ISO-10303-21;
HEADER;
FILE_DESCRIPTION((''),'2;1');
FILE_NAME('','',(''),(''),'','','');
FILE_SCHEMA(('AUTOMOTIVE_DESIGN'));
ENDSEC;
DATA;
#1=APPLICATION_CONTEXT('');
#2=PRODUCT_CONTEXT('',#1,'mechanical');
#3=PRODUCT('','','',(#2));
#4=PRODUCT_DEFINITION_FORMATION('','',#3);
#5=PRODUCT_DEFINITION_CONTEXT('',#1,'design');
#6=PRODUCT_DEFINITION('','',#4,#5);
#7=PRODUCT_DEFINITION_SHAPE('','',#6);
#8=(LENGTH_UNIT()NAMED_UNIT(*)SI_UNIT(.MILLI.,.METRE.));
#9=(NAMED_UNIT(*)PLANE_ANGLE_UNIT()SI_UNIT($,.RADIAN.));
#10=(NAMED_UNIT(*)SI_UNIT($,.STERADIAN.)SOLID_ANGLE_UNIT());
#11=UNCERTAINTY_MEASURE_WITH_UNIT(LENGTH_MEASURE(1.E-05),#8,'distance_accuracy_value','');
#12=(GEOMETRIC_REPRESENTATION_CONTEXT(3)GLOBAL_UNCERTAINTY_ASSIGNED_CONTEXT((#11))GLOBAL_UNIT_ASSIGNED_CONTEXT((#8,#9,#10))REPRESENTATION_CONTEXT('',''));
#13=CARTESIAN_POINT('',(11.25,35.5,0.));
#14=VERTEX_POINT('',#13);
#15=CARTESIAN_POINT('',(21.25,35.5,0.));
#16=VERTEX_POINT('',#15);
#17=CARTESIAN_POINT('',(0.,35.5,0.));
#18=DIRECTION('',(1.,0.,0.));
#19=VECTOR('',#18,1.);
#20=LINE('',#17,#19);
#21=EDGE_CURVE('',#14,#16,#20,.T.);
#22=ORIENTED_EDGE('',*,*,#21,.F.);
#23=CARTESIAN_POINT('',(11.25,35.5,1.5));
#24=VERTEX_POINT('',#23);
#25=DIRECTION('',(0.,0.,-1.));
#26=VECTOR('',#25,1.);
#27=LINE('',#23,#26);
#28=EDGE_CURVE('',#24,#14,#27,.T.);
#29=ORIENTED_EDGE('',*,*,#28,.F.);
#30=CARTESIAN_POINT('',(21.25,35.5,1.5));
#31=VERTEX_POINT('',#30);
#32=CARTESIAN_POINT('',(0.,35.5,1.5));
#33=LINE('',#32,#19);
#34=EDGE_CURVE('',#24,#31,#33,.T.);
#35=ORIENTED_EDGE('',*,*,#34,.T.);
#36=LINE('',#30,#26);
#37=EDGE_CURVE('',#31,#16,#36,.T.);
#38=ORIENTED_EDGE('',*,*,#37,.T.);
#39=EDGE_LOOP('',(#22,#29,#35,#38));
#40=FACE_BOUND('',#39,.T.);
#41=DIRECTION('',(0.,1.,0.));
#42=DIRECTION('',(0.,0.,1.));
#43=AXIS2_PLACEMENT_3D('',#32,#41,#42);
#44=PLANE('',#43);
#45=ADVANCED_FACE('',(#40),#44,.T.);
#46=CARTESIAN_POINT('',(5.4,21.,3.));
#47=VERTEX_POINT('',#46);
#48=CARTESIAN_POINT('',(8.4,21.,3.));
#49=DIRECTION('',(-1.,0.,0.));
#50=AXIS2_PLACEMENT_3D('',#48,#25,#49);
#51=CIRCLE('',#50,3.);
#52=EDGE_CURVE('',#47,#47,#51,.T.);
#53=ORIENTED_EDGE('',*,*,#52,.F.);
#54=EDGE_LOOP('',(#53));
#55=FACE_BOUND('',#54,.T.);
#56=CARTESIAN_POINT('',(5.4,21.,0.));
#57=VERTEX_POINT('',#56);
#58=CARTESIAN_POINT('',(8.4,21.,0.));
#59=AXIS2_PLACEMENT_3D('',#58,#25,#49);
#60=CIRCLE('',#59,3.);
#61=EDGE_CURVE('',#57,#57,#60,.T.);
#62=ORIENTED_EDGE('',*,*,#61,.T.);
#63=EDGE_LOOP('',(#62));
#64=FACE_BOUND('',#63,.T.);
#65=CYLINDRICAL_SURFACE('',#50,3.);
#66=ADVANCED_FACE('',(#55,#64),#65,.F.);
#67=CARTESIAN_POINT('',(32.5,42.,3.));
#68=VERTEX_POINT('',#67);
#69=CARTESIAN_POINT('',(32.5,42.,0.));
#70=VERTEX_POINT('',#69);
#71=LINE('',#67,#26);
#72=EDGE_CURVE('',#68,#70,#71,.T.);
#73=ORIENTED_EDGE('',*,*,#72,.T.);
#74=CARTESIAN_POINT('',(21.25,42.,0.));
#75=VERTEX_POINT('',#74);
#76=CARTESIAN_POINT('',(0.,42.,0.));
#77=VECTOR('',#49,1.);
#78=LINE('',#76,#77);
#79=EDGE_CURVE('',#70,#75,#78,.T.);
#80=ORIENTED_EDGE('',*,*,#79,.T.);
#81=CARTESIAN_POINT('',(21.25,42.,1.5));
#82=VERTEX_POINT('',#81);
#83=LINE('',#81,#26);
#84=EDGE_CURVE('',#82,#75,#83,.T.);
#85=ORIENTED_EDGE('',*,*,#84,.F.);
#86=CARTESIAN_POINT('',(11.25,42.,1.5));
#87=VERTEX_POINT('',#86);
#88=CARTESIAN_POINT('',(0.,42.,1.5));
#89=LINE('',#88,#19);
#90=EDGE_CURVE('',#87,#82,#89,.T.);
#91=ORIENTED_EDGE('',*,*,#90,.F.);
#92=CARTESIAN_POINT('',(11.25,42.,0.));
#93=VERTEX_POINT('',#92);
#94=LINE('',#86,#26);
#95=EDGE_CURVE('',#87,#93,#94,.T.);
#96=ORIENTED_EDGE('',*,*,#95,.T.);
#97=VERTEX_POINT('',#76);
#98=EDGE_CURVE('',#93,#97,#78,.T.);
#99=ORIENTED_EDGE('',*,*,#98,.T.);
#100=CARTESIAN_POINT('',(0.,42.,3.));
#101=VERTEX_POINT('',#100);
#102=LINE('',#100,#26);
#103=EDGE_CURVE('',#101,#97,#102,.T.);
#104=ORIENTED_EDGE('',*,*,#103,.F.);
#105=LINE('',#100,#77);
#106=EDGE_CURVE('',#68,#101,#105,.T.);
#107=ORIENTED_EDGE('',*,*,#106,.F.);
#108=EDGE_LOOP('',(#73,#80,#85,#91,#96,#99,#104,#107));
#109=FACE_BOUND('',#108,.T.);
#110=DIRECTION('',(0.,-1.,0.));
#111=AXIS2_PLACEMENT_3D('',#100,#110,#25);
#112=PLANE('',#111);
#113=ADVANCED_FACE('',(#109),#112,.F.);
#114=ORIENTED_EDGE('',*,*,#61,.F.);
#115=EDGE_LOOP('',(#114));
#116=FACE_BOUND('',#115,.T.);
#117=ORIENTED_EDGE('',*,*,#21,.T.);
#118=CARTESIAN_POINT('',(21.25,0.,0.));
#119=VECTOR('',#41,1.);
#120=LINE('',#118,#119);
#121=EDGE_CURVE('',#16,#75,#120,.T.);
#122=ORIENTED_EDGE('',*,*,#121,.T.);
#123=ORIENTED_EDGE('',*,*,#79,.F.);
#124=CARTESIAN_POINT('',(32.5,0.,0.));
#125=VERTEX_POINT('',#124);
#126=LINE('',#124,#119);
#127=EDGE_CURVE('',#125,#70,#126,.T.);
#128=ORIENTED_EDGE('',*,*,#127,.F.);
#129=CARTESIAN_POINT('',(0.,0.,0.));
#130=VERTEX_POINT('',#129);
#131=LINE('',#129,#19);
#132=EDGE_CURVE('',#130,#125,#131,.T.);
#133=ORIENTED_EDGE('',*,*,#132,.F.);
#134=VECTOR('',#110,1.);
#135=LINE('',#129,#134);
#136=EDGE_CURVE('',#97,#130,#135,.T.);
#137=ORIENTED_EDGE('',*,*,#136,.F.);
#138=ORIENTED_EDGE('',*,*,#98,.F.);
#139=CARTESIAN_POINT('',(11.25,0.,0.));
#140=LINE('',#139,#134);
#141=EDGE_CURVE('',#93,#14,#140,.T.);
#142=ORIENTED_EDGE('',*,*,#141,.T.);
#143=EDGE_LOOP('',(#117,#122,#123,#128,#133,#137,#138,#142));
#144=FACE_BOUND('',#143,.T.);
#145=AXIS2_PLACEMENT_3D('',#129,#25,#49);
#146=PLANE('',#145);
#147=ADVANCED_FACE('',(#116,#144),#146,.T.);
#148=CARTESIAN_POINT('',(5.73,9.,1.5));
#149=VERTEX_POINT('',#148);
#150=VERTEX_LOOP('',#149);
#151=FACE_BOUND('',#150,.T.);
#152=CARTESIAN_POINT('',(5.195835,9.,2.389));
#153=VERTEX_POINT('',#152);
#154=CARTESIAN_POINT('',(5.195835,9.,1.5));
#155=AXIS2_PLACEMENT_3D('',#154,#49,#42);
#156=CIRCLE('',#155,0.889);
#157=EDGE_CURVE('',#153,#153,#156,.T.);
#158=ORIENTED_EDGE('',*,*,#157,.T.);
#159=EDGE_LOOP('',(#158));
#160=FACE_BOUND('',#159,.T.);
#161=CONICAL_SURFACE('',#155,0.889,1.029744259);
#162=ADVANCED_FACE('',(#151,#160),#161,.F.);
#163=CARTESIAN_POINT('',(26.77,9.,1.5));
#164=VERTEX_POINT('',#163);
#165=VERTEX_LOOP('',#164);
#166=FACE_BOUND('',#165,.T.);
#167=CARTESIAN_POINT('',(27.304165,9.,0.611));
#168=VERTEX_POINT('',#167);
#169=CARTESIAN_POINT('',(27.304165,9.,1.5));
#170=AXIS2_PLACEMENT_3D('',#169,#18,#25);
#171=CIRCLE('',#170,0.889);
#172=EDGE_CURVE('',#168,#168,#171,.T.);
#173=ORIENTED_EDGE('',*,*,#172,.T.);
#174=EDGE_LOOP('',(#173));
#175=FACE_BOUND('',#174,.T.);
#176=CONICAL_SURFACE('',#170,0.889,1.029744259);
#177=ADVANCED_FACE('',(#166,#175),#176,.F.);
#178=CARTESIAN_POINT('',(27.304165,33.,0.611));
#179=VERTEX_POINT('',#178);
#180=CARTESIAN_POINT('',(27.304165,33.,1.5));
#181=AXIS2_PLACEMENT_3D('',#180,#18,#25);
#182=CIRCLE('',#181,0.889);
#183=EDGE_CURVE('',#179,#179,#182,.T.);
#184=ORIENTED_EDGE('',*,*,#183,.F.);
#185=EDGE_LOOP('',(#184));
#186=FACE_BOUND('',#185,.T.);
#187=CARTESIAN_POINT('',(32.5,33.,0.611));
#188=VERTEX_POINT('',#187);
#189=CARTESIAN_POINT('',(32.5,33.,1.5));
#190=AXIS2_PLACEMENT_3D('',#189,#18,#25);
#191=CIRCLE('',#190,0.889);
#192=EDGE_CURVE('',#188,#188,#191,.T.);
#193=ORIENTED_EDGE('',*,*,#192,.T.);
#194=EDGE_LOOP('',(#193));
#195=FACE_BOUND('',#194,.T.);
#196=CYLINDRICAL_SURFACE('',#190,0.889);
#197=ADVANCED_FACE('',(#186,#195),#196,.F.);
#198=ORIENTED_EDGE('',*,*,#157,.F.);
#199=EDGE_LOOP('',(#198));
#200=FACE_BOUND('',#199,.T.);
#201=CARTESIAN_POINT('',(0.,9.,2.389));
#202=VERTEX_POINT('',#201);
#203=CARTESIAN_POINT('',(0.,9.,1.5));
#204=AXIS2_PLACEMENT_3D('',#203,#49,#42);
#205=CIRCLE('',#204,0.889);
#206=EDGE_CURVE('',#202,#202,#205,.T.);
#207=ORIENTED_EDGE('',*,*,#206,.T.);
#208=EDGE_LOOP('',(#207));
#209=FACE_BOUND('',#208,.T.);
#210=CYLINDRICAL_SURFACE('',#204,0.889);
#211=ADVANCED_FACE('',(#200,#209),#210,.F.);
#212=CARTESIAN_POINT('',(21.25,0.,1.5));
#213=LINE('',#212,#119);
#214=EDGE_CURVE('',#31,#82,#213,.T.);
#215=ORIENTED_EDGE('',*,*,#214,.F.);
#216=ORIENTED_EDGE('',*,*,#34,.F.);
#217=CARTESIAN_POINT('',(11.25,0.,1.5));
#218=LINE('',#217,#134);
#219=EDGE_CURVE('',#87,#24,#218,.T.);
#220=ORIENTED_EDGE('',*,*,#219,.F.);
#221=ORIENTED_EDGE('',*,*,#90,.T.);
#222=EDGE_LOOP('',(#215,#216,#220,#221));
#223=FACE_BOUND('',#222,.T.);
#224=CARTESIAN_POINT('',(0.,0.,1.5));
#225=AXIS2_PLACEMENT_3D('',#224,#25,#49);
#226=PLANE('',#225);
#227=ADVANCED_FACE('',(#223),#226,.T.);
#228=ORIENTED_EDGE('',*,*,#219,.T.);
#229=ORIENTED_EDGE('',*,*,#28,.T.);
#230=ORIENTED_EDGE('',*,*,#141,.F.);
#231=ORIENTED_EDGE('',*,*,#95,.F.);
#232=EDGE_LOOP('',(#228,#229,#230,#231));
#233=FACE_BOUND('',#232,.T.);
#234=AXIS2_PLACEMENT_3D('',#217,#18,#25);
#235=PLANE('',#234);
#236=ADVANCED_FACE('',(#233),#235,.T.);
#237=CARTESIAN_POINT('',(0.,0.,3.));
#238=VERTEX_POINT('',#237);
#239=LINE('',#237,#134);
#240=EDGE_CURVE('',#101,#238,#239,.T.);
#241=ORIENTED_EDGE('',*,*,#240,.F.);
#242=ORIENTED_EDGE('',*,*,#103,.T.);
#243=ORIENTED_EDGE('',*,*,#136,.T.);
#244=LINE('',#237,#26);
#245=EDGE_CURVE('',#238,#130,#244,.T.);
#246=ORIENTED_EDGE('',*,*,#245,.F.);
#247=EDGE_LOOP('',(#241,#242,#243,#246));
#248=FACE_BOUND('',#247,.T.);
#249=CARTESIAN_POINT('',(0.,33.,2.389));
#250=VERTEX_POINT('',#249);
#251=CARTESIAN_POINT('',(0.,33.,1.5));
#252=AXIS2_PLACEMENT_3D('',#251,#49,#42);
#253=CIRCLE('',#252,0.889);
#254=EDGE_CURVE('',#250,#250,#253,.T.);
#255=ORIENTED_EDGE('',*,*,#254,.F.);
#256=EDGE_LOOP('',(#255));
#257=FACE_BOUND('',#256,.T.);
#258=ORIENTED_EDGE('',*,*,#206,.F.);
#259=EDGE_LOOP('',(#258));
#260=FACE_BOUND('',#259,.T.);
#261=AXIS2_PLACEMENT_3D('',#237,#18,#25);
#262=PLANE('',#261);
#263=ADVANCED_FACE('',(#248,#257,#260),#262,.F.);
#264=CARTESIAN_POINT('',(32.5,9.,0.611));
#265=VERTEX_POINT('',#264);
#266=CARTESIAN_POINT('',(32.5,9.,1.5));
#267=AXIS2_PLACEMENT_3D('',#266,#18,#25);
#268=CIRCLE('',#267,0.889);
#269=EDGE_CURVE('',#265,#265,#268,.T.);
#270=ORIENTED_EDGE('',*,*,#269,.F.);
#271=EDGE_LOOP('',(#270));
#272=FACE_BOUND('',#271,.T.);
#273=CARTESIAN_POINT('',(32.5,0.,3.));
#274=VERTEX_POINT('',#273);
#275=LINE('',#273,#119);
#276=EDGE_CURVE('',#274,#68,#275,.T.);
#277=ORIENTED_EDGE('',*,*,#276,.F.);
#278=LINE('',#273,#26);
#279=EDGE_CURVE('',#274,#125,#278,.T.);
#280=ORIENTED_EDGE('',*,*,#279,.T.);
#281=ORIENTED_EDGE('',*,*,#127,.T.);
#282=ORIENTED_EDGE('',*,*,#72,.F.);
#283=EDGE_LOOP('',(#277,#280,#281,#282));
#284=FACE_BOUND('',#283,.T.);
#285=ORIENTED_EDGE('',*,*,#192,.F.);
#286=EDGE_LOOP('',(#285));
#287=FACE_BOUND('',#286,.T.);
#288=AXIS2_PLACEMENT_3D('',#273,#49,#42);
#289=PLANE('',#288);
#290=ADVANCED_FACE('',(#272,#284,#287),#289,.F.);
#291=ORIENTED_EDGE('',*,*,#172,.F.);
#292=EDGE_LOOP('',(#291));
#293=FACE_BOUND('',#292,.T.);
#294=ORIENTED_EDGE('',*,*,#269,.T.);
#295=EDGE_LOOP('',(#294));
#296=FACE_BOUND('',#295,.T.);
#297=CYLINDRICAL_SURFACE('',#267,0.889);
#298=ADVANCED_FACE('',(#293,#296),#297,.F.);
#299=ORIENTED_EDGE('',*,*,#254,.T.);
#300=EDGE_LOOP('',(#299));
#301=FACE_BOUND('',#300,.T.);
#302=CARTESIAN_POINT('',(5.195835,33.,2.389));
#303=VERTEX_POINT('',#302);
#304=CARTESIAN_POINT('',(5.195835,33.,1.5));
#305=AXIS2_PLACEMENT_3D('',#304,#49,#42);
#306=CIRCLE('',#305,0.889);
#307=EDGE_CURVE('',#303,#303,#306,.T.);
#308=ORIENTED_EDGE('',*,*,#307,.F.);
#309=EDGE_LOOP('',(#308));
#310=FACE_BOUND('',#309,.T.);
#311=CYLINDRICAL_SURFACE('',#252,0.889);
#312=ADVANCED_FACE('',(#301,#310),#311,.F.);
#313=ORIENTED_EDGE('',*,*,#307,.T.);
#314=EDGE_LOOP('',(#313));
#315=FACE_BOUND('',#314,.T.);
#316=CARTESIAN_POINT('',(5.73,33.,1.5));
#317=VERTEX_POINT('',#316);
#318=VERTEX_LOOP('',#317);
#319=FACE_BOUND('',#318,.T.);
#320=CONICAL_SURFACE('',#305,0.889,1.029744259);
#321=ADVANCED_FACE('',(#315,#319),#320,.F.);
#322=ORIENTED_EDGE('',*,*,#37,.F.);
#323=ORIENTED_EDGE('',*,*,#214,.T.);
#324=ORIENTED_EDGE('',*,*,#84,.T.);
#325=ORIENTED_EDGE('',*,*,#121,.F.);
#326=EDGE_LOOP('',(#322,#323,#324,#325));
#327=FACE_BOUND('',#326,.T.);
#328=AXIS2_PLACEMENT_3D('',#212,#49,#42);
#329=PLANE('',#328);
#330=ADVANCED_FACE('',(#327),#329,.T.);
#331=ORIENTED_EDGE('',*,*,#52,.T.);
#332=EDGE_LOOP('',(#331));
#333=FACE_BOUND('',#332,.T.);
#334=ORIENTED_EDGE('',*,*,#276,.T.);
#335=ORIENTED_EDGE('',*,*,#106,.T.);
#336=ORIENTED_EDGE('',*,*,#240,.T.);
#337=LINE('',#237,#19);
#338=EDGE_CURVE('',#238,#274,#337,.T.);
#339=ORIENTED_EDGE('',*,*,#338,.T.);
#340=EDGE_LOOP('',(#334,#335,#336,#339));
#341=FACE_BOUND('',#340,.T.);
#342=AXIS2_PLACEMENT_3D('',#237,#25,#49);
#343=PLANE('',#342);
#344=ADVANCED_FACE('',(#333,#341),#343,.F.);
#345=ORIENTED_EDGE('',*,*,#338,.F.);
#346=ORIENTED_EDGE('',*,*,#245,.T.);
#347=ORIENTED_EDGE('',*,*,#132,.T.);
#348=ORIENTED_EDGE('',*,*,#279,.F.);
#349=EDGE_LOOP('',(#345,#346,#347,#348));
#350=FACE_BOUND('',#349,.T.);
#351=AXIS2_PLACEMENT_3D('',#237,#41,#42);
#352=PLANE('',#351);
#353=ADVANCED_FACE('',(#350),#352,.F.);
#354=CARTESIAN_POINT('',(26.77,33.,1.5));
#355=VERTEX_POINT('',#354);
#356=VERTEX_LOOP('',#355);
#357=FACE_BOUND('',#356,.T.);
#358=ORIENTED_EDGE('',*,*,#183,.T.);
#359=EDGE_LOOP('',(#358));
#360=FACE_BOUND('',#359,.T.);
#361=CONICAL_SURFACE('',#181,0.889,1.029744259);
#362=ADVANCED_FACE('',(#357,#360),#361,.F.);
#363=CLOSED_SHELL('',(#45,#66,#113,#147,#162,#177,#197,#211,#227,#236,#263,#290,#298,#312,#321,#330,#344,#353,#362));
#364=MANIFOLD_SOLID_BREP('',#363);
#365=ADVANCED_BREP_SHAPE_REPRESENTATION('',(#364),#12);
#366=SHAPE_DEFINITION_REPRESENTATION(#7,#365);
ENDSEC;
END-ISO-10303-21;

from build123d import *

# Parameters (mm, degrees)
SKETCH1_W                 = 32.5
SKETCH1_H                 = 42
BOSS_EXTRUDE2_DEPTH       = 3
F_2_56_TAPPED_HOLE1_D     = 1.778
F_2_56_TAPPED_HOLE1_DEPTH = 5.19583491
F_2_56_TAPPED_HOLE1_TIP   = 0.53416509
F_2_56_TAPPED_HOLE2_D     = 1.778
F_2_56_TAPPED_HOLE2_DEPTH = 5.19583491
F_2_56_TAPPED_HOLE2_TIP   = 0.53416509
CUT_EXTRUDE1_DEPTH        = 3
SKETCH10_W                = 10
SKETCH10_H                = 6.5
CUT_EXTRUDE2_DEPTH        = 1.5


with BuildPart() as part:
    # Sketch1 → Boss-Extrude2 (new body)
    with BuildSketch(Plane.XY):
        with Locations((16.25, 21)):
            Rectangle(SKETCH1_W, SKETCH1_H)
    extrude(amount=BOSS_EXTRUDE2_DEPTH)

    # #2-56 Tapped Hole1
    with Locations(Plane.ZY):
        with Locations((1.5, 33), (1.5, 9)):
            Hole(F_2_56_TAPPED_HOLE1_D / 2, depth=F_2_56_TAPPED_HOLE1_DEPTH)
            with Locations((0, 0, -(F_2_56_TAPPED_HOLE1_DEPTH + F_2_56_TAPPED_HOLE1_TIP / 2))):  # 118° drill point
                Cone(0, F_2_56_TAPPED_HOLE1_D / 2, F_2_56_TAPPED_HOLE1_TIP, mode=Mode.SUBTRACT)

    # #2-56 Tapped Hole2
    with Locations(Plane(origin=(32.5, 0, 0), x_dir=(0, 0, -1), z_dir=(1, 0, 0))):
        with Locations((-1.5, 33), (-1.5, 9)):
            Hole(F_2_56_TAPPED_HOLE2_D / 2, depth=F_2_56_TAPPED_HOLE2_DEPTH)
            with Locations((0, 0, -(F_2_56_TAPPED_HOLE2_DEPTH + F_2_56_TAPPED_HOLE2_TIP / 2))):  # 118° drill point
                Cone(0, F_2_56_TAPPED_HOLE2_D / 2, F_2_56_TAPPED_HOLE2_TIP, mode=Mode.SUBTRACT)

    # Sketch9 → Cut-Extrude1 (cut)
    with BuildSketch(Plane(origin=(0, 0, 0), x_dir=(-1, 0, 0), z_dir=(0, 0, -1))):
        with BuildLine():
            ThreePointArc((-11.4, 21), (-8.4, 18), (-5.4, 21))
            Line((-5.4, 21), (-8.4, 21))
            Line((-8.4, 21), (-11.4, 21))
        make_face()
        with BuildLine():
            Line((-8.4, 21), (-5.4, 21))
            ThreePointArc((-5.4, 21), (-8.4, 24), (-11.4, 21))
            Line((-11.4, 21), (-8.4, 21))
        make_face()
    extrude(amount=-CUT_EXTRUDE1_DEPTH, mode=Mode.SUBTRACT)

    # Sketch10 → Cut-Extrude2 (cut)
    with BuildSketch(Plane(origin=(0, 0, 0), x_dir=(-1, 0, 0), z_dir=(0, 0, -1))):
        with Locations((-16.25, 38.75)):
            Rectangle(SKETCH10_W, SKETCH10_H)
    extrude(amount=-CUT_EXTRUDE2_DEPTH, mode=Mode.SUBTRACT)


solid = part.part
